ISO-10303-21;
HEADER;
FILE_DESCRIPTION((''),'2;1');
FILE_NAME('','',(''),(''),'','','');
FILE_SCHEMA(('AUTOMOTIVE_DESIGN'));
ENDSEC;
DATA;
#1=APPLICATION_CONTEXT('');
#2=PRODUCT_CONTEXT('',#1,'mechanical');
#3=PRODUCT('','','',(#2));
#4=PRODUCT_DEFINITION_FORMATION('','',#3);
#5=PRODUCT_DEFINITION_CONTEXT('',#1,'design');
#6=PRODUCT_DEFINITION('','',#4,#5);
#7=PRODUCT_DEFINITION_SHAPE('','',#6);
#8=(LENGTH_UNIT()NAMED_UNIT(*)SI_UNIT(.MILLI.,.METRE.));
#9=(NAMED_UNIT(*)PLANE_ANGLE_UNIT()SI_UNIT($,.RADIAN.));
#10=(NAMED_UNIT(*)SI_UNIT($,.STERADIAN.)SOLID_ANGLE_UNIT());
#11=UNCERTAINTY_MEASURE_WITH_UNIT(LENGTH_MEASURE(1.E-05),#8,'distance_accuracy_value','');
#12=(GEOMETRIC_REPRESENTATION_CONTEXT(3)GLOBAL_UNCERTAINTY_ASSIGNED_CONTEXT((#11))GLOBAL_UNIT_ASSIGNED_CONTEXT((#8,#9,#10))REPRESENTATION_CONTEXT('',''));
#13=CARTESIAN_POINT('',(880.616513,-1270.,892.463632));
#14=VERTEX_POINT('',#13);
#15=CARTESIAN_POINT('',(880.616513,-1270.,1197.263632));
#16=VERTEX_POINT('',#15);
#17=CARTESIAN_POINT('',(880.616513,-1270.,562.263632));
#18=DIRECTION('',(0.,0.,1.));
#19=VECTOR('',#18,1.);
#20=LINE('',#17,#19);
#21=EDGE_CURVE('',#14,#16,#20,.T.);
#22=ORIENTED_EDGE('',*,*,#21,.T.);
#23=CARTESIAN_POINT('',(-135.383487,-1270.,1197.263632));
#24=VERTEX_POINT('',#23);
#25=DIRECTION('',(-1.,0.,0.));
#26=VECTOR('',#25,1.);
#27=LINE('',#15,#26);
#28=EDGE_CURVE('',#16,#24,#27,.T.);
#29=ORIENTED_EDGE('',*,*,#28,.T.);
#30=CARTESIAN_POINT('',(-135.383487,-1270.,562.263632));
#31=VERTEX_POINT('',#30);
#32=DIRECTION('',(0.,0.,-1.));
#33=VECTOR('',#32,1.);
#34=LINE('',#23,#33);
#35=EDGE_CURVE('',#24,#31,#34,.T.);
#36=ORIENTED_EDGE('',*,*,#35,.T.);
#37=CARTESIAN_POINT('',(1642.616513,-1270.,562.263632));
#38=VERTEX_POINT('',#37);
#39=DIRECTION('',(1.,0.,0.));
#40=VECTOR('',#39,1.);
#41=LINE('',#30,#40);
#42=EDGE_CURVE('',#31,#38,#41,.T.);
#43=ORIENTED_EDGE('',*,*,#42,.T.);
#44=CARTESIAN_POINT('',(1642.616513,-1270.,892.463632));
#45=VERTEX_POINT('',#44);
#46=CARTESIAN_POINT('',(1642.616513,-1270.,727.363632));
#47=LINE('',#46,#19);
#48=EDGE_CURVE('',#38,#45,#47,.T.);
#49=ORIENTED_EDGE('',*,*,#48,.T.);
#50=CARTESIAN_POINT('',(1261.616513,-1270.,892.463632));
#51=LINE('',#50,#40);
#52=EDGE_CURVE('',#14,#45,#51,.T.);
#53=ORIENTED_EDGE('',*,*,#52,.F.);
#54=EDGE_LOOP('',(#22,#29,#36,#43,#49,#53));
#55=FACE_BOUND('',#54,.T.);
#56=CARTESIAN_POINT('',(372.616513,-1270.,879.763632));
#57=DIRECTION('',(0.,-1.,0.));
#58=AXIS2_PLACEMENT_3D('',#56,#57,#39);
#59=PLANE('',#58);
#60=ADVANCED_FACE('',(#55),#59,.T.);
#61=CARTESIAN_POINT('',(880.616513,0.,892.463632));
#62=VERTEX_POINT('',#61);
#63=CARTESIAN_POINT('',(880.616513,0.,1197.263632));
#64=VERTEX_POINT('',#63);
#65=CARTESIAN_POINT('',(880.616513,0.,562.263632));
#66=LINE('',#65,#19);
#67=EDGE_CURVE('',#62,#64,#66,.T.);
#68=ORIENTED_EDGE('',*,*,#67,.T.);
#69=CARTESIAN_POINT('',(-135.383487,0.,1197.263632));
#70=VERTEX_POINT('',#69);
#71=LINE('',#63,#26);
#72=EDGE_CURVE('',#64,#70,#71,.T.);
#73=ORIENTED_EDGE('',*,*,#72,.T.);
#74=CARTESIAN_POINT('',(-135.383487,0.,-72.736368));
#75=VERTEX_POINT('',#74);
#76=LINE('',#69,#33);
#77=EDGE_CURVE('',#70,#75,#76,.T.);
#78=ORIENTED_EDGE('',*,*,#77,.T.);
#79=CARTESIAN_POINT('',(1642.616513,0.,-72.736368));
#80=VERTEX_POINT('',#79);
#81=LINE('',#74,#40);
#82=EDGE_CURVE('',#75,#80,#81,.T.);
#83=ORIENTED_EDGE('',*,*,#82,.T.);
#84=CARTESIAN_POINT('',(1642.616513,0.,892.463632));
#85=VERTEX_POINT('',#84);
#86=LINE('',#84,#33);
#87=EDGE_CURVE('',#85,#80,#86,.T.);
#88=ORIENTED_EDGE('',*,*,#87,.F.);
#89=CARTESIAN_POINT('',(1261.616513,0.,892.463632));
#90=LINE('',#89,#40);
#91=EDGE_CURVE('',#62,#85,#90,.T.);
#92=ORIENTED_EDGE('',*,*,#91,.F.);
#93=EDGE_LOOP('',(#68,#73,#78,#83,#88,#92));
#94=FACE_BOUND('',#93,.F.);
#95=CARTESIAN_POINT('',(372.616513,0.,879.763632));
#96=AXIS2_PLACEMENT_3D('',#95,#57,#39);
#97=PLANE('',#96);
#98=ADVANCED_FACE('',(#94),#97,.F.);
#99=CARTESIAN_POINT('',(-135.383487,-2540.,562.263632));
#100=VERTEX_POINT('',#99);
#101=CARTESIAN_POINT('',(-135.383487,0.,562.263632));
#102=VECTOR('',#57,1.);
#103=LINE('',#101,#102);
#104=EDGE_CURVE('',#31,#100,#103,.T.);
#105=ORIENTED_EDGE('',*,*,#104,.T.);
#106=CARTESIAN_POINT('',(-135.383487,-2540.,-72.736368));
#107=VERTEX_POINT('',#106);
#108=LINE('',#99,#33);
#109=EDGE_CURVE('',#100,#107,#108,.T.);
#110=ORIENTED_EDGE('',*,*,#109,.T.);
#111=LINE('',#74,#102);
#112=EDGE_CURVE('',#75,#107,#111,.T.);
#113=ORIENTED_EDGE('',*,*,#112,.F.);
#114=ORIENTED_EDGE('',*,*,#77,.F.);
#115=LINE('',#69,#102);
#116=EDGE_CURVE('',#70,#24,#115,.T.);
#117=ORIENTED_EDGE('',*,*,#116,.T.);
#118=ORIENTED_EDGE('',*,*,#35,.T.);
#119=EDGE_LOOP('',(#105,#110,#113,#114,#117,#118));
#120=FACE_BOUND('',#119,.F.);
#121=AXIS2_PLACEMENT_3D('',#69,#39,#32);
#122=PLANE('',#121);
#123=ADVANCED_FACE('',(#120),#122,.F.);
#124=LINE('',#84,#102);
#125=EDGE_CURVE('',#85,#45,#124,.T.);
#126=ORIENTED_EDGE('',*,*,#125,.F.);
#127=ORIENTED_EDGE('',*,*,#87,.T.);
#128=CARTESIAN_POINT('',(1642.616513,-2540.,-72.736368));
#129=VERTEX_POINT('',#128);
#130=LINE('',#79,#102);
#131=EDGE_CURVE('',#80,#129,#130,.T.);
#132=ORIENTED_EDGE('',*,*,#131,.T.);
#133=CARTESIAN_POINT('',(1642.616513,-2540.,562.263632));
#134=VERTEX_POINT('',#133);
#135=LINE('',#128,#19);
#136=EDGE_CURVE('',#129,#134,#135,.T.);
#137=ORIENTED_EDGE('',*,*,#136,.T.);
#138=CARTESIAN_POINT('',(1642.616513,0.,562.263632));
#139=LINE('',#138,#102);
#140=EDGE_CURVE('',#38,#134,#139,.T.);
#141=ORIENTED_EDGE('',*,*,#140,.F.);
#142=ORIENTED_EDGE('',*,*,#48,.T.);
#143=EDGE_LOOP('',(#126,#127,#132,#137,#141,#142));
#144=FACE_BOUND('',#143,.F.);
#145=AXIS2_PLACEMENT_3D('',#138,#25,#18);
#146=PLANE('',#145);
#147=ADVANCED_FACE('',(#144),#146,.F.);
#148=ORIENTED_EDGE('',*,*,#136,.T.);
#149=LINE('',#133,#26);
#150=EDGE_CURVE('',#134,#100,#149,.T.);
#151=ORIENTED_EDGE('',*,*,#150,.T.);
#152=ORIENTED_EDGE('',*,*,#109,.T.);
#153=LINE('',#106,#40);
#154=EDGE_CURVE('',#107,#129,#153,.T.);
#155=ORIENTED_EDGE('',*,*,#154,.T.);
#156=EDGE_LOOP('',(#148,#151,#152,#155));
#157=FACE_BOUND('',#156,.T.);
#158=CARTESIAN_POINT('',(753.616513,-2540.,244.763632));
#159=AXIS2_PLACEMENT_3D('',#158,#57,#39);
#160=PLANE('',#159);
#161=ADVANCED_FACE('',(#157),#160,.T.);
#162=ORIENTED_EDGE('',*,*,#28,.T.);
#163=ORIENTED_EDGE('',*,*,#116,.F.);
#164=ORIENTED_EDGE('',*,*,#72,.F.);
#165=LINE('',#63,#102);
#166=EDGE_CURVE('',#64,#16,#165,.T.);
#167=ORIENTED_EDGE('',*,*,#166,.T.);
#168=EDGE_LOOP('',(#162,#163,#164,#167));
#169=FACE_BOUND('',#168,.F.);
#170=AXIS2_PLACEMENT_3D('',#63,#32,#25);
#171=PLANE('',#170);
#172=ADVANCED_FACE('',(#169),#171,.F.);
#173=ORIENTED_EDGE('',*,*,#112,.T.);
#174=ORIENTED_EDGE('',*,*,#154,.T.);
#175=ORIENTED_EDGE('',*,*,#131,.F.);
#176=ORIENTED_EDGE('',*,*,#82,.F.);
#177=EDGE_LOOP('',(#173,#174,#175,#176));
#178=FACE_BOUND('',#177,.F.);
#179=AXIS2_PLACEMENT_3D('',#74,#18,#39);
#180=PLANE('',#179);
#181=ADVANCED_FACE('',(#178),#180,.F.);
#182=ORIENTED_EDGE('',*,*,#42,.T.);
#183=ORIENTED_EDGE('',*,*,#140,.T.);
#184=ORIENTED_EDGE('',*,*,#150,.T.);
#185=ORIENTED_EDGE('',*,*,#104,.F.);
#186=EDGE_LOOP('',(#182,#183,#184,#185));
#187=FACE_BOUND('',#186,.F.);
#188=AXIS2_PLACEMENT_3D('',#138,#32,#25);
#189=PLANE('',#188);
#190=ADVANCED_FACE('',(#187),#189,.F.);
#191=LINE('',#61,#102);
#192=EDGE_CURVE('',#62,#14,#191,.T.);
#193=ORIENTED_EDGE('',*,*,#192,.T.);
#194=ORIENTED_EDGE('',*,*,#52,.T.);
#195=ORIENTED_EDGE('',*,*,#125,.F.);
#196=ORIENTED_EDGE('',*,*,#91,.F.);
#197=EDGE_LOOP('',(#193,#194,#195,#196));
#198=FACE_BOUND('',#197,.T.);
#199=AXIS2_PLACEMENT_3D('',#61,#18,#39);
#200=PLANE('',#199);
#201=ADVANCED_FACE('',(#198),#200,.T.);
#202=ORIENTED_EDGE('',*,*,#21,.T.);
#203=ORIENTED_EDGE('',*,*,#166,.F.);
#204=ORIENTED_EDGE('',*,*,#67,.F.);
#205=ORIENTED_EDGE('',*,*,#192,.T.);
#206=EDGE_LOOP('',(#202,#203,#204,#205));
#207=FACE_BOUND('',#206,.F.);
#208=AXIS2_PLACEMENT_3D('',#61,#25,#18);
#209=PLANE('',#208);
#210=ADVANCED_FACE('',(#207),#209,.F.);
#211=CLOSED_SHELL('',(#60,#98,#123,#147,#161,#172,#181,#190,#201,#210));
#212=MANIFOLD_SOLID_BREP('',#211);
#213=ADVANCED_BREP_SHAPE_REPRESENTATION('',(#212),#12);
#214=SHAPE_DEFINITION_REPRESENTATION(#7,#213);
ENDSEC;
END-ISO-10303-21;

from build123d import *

# Parameters (mm, degrees)
F1_DEPTH = 2540
F0_W     = 762
F0_H     = 330.2
F2_DEPTH = 1270


with BuildPart() as f1:
    # F0 (on Front) → F1 (new body)
    with BuildSketch(Plane.XZ):
        Polygon((-135.383487, 562.263632), (-135.383487, -72.736368), (1642.616513, -72.736368), (1642.616513, 562.263632), (880.616513, 562.263632), align=None)
    extrude(amount=F1_DEPTH)

    # F0 (on Front) → F2 (join)
    with BuildSketch(Plane.XZ):
        Polygon((-135.383487, 1197.263632), (-135.383487, 562.263632), (880.616513, 562.263632), (880.616513, 892.463632), (880.616513, 1197.263632), align=None)
        with Locations((1261.616513, 727.363632)):
            Rectangle(F0_W, F0_H)
    extrude(amount=F2_DEPTH)


solid = f1.part
